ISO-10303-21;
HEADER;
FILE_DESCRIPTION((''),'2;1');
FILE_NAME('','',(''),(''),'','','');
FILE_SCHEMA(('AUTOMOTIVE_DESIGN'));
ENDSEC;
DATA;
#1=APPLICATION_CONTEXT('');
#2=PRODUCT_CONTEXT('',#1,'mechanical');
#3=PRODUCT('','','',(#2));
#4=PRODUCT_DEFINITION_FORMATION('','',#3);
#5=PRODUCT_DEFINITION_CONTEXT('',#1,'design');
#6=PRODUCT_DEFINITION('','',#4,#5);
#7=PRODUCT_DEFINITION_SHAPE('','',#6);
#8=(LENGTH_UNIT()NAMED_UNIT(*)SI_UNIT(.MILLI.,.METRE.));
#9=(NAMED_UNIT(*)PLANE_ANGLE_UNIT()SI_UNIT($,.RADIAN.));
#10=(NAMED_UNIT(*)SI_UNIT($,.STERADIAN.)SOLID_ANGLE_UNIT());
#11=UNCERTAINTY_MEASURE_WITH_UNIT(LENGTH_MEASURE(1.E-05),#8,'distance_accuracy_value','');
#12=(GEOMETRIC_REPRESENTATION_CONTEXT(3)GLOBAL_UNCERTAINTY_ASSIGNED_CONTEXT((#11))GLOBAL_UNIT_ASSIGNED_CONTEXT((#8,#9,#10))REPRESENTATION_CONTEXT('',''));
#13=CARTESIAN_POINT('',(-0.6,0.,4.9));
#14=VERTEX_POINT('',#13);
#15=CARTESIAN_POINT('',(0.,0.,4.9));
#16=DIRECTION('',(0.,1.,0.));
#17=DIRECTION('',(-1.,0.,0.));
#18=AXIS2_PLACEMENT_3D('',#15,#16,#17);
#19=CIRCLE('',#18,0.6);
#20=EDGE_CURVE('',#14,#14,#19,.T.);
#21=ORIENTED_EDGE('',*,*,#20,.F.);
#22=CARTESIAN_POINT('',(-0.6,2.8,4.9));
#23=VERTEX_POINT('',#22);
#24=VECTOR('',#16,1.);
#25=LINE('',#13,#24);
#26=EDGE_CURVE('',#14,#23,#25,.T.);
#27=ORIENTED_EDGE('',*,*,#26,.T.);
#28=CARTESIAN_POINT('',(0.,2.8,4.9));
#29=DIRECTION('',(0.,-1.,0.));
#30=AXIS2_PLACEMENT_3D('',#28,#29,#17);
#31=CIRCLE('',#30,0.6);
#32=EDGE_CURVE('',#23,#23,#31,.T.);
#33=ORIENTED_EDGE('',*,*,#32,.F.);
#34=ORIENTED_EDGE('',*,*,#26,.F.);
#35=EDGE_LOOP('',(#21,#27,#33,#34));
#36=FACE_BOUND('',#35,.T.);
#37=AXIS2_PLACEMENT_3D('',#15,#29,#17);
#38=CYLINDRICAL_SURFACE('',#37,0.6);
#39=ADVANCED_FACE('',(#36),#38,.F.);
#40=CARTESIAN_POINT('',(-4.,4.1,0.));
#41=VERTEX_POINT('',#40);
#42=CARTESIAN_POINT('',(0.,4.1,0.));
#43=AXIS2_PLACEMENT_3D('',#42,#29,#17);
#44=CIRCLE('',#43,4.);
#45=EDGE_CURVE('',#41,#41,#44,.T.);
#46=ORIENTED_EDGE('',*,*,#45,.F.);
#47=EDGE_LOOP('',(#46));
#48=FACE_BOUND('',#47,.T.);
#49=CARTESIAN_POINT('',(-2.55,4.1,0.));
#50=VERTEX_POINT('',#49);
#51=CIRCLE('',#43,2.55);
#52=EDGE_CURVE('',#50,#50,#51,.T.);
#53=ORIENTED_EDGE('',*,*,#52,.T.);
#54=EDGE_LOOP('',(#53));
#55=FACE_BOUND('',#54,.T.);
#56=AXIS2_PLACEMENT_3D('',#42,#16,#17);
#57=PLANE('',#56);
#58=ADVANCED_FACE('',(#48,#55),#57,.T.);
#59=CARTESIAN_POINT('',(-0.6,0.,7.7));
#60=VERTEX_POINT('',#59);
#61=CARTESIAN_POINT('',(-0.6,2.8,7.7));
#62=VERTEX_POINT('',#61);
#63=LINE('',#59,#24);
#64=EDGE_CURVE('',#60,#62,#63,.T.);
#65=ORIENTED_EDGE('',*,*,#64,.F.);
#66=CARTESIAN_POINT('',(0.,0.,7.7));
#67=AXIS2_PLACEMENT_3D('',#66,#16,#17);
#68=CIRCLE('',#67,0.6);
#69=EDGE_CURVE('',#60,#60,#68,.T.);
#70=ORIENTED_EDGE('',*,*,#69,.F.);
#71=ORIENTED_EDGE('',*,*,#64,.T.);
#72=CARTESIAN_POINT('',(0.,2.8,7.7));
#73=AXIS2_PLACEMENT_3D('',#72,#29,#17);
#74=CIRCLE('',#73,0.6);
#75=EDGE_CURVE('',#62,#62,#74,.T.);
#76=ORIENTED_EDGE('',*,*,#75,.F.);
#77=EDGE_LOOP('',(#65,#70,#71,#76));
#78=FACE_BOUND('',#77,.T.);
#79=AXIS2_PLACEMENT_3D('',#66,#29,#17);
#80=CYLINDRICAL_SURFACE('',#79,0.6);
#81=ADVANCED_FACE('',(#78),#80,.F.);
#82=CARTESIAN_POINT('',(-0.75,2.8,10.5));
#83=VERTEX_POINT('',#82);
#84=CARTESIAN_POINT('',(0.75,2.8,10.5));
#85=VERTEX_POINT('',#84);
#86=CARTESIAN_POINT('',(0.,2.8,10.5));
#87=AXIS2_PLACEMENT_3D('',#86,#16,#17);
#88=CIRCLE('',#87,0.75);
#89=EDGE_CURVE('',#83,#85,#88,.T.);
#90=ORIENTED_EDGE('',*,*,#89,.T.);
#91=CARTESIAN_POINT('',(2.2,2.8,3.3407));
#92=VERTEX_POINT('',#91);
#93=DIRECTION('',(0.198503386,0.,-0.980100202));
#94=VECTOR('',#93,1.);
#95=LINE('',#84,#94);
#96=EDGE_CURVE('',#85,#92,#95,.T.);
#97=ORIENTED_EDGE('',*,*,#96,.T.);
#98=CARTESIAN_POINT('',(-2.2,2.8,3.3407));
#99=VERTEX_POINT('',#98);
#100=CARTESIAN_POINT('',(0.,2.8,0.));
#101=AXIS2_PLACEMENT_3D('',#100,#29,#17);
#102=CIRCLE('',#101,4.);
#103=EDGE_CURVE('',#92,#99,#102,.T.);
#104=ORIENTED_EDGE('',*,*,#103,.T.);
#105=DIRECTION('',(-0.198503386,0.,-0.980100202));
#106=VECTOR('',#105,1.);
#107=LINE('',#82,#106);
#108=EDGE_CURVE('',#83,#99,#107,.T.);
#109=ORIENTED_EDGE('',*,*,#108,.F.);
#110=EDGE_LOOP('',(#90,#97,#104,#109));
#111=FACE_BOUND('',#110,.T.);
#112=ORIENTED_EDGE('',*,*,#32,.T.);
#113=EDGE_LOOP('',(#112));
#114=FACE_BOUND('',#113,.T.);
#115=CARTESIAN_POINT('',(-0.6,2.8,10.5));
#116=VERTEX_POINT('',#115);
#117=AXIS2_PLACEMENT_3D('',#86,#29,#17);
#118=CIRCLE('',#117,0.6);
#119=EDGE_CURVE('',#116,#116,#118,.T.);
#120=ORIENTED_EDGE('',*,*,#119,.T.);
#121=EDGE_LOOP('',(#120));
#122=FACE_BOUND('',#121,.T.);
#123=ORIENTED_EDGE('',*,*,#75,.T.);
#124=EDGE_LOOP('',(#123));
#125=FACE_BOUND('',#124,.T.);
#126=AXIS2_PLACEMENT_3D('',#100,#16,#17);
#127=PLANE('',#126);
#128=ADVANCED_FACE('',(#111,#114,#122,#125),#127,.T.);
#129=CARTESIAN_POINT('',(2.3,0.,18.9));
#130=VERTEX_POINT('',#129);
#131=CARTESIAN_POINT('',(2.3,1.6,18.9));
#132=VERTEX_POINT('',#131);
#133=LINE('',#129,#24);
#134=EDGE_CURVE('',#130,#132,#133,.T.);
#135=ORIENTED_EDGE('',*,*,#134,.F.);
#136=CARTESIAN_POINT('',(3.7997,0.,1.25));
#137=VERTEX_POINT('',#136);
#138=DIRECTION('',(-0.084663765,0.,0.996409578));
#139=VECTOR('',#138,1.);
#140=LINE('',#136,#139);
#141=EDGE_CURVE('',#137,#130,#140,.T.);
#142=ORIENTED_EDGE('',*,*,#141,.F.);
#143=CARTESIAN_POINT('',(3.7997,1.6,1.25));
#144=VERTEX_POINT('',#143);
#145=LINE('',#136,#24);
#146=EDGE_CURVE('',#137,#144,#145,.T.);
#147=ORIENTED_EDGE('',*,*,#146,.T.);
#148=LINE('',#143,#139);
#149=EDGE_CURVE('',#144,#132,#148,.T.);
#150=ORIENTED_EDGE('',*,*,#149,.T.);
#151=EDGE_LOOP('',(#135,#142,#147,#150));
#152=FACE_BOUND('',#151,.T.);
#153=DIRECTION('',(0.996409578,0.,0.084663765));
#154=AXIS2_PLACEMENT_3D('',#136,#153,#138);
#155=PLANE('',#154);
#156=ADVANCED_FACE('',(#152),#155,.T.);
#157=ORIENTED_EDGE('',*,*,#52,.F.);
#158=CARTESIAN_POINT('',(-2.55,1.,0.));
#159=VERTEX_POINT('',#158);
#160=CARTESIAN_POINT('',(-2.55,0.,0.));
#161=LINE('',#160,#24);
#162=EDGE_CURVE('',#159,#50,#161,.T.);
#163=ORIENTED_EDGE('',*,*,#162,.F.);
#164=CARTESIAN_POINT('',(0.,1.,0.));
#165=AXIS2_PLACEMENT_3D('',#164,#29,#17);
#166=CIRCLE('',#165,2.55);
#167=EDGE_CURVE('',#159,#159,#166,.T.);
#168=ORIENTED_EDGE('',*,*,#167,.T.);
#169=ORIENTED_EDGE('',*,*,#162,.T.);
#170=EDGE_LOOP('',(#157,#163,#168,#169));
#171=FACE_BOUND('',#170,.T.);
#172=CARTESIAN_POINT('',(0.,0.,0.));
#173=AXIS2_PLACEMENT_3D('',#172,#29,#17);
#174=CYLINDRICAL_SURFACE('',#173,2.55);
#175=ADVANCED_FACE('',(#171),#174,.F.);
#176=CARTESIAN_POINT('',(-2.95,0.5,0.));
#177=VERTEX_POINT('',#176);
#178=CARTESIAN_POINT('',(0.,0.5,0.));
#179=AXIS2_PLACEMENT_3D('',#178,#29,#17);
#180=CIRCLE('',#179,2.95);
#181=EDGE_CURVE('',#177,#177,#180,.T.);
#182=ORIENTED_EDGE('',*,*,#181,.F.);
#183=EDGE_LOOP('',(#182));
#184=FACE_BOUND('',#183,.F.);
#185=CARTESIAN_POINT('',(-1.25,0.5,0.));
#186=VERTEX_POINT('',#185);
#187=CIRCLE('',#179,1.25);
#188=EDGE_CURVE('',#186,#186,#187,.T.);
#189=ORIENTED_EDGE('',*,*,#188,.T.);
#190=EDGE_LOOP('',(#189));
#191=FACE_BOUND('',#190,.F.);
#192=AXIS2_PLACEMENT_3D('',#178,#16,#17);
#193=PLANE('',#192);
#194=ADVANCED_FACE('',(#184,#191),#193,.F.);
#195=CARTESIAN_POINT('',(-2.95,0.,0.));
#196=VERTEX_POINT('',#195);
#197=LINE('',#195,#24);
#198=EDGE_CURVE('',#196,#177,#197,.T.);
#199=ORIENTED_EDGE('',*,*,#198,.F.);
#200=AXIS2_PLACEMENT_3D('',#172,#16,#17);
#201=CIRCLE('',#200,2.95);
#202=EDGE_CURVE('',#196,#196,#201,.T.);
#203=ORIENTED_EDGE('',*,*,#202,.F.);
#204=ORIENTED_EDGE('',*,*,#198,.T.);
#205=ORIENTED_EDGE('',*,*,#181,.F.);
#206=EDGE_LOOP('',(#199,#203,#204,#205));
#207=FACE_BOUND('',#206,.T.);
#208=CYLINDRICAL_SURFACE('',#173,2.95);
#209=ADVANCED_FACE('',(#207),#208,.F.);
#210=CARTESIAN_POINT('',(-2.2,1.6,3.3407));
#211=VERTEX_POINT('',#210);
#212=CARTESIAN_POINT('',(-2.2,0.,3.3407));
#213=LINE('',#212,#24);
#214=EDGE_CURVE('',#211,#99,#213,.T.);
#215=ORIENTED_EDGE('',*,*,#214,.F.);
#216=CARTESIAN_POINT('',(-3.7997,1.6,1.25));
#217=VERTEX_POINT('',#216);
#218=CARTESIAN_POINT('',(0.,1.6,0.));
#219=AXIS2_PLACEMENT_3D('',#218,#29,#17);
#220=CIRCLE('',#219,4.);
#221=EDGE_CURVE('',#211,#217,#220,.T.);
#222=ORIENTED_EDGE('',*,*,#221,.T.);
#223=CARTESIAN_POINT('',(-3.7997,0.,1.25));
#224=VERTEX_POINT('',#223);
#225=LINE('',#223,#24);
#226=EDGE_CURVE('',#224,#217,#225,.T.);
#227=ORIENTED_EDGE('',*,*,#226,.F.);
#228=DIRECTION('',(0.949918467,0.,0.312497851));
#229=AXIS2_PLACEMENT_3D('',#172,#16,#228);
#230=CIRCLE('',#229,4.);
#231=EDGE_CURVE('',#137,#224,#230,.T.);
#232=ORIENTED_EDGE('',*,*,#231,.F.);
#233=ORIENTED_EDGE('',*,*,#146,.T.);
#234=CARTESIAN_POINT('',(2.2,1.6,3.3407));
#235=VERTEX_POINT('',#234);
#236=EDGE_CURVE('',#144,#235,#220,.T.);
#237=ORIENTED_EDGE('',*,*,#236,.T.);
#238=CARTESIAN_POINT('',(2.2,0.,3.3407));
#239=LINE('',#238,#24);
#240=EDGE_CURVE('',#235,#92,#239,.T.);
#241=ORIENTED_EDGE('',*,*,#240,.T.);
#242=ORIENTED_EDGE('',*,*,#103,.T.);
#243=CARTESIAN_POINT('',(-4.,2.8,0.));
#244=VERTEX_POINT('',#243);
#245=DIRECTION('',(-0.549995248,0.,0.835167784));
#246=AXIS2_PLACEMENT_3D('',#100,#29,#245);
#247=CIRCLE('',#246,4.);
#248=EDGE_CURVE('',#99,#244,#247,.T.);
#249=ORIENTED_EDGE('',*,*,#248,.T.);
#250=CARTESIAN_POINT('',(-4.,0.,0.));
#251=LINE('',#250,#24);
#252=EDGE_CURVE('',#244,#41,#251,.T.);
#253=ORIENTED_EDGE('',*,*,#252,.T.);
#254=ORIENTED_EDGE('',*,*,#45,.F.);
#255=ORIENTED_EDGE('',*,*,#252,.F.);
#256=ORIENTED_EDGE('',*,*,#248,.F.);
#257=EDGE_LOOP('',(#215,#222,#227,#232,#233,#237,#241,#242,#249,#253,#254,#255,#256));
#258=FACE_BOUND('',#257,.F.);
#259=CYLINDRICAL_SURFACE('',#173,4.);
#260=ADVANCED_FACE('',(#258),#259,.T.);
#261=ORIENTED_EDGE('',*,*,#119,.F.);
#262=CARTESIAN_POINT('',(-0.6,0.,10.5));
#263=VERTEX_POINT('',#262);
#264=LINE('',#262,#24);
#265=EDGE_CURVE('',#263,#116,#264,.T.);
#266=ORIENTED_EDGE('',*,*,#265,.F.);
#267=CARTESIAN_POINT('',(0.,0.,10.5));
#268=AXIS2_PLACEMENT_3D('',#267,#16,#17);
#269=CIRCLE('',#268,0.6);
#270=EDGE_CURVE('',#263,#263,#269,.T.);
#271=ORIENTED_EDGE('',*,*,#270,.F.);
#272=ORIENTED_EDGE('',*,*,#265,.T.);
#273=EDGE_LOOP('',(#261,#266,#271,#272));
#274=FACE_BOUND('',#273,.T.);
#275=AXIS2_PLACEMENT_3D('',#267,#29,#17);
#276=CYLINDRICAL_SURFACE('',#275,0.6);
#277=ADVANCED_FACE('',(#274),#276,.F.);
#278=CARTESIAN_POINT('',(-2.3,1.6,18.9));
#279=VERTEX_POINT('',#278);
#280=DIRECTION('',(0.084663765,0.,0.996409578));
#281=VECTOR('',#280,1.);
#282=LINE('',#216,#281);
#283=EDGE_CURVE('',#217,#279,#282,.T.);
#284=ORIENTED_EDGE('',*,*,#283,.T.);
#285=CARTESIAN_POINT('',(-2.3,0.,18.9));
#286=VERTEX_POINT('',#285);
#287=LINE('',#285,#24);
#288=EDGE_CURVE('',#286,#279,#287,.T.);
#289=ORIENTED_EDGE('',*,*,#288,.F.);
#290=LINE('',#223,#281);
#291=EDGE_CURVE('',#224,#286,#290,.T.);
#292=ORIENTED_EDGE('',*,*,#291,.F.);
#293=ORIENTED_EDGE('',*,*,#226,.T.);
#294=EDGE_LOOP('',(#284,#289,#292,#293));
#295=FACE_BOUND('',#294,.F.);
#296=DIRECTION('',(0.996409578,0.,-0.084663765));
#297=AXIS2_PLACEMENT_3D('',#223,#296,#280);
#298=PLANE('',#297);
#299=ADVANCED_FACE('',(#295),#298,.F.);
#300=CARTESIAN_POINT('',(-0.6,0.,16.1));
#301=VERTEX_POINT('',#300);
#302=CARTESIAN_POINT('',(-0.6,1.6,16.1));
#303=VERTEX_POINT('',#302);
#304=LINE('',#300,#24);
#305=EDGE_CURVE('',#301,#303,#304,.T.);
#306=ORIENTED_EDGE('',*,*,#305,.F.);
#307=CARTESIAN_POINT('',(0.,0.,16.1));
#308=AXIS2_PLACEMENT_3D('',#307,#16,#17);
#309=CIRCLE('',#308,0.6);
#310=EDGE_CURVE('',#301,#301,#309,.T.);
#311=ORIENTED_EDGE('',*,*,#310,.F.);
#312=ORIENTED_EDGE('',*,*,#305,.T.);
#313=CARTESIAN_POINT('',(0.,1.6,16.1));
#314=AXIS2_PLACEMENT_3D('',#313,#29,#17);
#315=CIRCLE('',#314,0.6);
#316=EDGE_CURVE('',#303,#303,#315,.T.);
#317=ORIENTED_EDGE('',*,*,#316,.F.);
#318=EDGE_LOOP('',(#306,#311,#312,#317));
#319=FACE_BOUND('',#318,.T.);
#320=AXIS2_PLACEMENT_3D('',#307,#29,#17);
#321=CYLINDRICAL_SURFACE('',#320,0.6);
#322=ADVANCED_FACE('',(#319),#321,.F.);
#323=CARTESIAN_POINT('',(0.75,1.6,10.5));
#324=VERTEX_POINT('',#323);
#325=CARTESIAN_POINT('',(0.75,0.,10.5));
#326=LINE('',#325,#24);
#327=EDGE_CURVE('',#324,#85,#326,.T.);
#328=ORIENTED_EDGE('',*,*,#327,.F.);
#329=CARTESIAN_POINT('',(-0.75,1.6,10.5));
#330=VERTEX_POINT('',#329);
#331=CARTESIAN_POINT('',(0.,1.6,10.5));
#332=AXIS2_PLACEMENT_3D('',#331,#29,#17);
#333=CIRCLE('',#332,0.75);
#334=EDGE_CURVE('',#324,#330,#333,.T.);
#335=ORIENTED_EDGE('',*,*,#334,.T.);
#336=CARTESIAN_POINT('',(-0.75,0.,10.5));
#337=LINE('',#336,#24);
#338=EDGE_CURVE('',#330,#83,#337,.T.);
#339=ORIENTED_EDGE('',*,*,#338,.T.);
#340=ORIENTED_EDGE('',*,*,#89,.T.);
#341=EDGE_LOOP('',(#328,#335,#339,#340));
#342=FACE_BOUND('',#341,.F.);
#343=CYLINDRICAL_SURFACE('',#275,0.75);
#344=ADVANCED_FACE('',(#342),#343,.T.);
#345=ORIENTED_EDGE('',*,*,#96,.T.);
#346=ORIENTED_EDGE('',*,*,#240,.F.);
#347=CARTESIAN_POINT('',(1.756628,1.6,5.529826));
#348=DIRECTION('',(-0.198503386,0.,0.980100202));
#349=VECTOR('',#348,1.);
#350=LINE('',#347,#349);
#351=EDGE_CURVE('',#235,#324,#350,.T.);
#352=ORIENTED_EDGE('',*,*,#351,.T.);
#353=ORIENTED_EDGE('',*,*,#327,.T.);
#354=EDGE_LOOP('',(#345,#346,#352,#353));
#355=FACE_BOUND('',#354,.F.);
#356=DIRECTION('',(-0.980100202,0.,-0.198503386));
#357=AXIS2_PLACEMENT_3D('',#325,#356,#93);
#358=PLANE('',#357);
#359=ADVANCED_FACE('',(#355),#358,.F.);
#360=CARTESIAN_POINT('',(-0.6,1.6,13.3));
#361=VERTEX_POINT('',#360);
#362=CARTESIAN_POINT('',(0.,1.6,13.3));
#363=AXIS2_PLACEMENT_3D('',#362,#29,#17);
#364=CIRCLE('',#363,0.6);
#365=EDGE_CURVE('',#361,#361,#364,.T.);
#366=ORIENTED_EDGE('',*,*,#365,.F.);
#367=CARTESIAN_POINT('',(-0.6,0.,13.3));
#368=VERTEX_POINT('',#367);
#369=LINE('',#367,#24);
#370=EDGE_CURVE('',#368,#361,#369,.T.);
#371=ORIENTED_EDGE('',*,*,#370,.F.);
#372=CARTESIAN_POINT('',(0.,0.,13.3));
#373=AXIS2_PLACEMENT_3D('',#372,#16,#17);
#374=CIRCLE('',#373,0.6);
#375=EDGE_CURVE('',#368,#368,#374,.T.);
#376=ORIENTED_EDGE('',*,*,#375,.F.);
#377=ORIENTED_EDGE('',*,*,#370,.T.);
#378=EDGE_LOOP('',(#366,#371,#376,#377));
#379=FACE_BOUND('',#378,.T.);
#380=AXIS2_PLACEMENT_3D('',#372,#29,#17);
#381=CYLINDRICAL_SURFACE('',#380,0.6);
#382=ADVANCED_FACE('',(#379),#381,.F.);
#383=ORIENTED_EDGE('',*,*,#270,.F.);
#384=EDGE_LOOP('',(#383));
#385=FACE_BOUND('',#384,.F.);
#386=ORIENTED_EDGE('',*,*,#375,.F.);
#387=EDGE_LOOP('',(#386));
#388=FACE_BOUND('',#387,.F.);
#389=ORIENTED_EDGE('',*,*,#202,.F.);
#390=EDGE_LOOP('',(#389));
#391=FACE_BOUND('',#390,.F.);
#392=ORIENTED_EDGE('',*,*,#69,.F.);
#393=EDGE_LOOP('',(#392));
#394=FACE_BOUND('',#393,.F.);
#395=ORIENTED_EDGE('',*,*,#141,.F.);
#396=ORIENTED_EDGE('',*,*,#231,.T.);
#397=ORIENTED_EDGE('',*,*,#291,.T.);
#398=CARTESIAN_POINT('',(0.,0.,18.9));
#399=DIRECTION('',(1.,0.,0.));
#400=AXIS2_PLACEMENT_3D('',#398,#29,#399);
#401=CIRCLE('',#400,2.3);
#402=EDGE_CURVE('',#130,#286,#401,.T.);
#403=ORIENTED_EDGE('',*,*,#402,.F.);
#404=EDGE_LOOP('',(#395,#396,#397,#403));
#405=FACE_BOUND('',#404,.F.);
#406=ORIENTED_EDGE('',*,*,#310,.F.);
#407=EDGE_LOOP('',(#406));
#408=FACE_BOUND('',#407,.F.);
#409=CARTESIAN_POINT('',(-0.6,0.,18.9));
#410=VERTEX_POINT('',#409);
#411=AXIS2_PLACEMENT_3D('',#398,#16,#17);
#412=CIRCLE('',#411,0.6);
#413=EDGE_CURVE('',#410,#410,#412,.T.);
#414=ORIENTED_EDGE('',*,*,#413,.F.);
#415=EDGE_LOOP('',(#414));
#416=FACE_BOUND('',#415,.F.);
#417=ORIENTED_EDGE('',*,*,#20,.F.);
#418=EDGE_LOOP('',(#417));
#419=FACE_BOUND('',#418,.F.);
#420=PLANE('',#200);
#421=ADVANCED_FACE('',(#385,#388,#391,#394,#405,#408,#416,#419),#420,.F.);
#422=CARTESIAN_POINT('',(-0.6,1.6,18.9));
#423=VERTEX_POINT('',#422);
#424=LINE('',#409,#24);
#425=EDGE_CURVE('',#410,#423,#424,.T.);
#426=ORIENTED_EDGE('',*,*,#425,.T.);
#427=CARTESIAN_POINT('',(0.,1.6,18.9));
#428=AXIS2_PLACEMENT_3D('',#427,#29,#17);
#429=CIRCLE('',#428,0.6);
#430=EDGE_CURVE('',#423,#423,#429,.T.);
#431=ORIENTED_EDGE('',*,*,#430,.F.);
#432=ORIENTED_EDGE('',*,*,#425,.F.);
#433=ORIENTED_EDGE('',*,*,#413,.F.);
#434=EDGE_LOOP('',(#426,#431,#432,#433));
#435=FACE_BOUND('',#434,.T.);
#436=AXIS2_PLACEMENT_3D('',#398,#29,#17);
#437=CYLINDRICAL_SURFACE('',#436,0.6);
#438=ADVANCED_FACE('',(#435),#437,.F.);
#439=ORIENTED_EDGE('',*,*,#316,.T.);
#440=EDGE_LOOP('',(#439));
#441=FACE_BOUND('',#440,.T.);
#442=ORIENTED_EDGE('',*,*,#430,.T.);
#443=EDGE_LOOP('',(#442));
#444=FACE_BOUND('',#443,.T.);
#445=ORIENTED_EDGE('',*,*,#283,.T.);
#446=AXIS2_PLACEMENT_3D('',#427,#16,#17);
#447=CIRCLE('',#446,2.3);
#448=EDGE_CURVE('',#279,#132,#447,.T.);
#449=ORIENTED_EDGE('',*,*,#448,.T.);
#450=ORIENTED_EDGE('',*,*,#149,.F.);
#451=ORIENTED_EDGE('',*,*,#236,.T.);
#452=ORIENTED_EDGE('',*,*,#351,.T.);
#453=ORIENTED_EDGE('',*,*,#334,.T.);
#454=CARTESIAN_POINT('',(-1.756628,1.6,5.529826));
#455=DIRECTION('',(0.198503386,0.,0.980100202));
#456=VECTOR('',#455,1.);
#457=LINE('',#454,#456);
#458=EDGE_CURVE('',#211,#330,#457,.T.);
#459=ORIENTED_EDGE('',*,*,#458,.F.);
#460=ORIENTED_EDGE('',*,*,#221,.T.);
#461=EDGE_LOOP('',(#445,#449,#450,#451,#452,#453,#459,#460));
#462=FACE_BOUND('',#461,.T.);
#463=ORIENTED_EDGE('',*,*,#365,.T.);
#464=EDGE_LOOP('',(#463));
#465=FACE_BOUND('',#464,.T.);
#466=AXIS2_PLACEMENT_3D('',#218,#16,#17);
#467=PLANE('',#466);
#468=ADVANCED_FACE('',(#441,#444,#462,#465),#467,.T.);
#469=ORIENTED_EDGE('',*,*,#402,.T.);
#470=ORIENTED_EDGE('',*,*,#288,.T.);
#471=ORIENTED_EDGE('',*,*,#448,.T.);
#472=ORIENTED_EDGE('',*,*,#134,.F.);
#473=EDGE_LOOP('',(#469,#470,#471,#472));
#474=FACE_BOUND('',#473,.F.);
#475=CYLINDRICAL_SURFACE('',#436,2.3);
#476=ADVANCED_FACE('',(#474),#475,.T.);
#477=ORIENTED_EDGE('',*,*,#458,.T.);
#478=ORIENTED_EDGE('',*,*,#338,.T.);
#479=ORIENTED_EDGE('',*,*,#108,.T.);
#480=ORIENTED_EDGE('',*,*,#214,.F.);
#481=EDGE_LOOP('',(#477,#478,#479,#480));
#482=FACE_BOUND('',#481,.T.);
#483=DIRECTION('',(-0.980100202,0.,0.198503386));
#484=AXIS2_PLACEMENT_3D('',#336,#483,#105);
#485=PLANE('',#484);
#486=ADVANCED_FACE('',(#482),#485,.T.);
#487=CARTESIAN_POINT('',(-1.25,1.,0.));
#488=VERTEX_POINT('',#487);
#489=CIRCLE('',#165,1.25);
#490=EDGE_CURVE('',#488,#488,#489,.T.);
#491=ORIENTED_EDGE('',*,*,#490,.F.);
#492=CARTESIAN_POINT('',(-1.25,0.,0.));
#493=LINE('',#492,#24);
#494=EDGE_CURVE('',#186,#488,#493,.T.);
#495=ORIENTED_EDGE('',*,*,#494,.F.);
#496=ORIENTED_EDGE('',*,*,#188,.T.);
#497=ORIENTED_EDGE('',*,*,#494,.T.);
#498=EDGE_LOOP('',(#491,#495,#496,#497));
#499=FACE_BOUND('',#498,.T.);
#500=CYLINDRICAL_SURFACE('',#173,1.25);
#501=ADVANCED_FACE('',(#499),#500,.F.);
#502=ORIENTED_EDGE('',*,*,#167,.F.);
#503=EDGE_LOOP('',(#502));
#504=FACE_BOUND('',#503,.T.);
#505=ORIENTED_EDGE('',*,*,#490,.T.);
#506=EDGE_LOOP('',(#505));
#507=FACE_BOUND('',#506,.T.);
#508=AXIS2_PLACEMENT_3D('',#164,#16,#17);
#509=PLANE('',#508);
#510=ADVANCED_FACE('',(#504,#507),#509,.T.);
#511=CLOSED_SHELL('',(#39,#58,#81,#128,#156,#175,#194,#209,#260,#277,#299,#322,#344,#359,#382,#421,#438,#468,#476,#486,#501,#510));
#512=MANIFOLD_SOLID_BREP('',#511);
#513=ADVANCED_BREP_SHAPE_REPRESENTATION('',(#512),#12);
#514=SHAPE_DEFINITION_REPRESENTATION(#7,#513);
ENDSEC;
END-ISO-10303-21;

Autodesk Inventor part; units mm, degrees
ref_plane "YZ Plane" through (0, 0, 0) normal (1, 0, 0) x (0, 1, 0)
ref_plane "XZ Plane" through (0, 0, 0) normal (0, 1, 0) x (-1, 0, 0)
ref_plane "XY Plane" through (0, 0, 0) normal (0, 0, 1) x (1, 0, 0)
sketch "Skizze1" plane through (0, 0, 0) normal (0, 1, 0) x (-1, 0, 0)
  circle A0 centre (0, 0) radius 4
  circle A1 centre (0, 0) radius 1.25
  line L0 (0, -4) -> (0, 21.2)
  line L1 (0, 21.2) -> (0, 18.9)
  circle A2 centre (0, 18.9) radius 0.6
  circle A3 centre (0, 18.9) radius 2.3
  line L2 (0, 18.9) -> (0, 16.1)
  line L3 (0, 16.1) -> (0, 13.3)
  circle A4 centre (0, 16.1) radius 0.6
  line L4 (0, 16.1) -> (0, 13.3)
  circle A5 centre (0, 13.3) radius 0.6
  line L5 (0, 13.3) -> (0, 10.5)
  circle A6 centre (0, 10.5) radius 0.6
  line L6 (0, 10.5) -> (0, 7.7)
  circle A7 centre (0, 7.7) radius 0.6
  line L7 (0, 7.7) -> (0, 4.9)
  circle A8 centre (0, 4.9) radius 0.6
  circle A9 centre (0, 10.5) radius 0.75
  line L8 (0.75, 10.5) -> (2.2, 3.3407)
  line L9 (-0.75, 10.5) -> (-2.2, 3.3407)
  circle A10 centre (0, 0) radius 2.95
  circle A11 centre (0, 0) radius 2.55
  line L10 (-3.7997, 1.25) -> (-2.3, 18.9)
  line L11 (3.7997, 1.25) -> (2.3, 18.9)
  point P0 (-4, 0)
  point P1 (4, 0)
  point P2 (0.3, 16.6196)
  point P3 (-0.3, 16.6196)
  dimension "d0" = 8
  dimension "d2" = 2.5
  dimension "d4" = 25.2
  dimension "d5" = 2.3
  dimension "d6" = 1.2
  dimension "d7" = 2.8
  dimension "d10" = 1.2
  dimension "d11" = 2.8
  dimension "d12" = 1.2
  dimension "d13" = 2.8
  dimension "d14" = 1.2
  dimension "d15" = 2.8
  dimension "d16" = 1.2
  dimension "d17" = 2.8
  dimension "d18" = 1.2
  dimension "d19" = 1.5
  dimension "d20" = 5.9
  dimension "d21" = 5.1
extrude "Extrusion1" add sketch "Skizze1" along normal blind 1.6 contours A0 L0 A10 | A0 L8 A9 L0 A5 A4 A3 L11 | A0 L0 A10 | A0 L0 A8 A7 A9 L8 | A3 A4 L0 A2 | L10 A3 A4 L0 A5 A9 L9 A0 | A10 L0 A11 | L0 A11 A10 | A0 L9 A9 L0 A7 A8 | A9 L0 A6 | L0 A2 A4 A3 | L0 A6 A9
extrude "Extrusion2" add sketch "Skizze1" along normal blind 2.8 contours A0 L0 A10 | A0 L0 A10 | A0 L0 A8 A7 A9 L8 | A10 L0 A11 | L0 A11 A10 | A0 L9 A9 L0 A7 A8 | A9 L0 A6 | L0 A6 A9
extrude "Extrusion3" add sketch "Skizze1" along normal blind 4.1 contours A0 L0 A10 | A0 L0 A10 | A10 L0 A11 | L0 A11 A10
extrude "Extrusion4" add sketch "Skizze1" along normal blind 1 contours A11 L0 A1 | L0 A1 A11
extrude "Extrusion5" cut sketch "Skizze1" along normal blind 0.5 contours A10 L0 A11 | L0 A11 A10 | A11 L0 A1 | L0 A1 A11
properties part number "weißes_ding" material "Plastic, Opaque White"
